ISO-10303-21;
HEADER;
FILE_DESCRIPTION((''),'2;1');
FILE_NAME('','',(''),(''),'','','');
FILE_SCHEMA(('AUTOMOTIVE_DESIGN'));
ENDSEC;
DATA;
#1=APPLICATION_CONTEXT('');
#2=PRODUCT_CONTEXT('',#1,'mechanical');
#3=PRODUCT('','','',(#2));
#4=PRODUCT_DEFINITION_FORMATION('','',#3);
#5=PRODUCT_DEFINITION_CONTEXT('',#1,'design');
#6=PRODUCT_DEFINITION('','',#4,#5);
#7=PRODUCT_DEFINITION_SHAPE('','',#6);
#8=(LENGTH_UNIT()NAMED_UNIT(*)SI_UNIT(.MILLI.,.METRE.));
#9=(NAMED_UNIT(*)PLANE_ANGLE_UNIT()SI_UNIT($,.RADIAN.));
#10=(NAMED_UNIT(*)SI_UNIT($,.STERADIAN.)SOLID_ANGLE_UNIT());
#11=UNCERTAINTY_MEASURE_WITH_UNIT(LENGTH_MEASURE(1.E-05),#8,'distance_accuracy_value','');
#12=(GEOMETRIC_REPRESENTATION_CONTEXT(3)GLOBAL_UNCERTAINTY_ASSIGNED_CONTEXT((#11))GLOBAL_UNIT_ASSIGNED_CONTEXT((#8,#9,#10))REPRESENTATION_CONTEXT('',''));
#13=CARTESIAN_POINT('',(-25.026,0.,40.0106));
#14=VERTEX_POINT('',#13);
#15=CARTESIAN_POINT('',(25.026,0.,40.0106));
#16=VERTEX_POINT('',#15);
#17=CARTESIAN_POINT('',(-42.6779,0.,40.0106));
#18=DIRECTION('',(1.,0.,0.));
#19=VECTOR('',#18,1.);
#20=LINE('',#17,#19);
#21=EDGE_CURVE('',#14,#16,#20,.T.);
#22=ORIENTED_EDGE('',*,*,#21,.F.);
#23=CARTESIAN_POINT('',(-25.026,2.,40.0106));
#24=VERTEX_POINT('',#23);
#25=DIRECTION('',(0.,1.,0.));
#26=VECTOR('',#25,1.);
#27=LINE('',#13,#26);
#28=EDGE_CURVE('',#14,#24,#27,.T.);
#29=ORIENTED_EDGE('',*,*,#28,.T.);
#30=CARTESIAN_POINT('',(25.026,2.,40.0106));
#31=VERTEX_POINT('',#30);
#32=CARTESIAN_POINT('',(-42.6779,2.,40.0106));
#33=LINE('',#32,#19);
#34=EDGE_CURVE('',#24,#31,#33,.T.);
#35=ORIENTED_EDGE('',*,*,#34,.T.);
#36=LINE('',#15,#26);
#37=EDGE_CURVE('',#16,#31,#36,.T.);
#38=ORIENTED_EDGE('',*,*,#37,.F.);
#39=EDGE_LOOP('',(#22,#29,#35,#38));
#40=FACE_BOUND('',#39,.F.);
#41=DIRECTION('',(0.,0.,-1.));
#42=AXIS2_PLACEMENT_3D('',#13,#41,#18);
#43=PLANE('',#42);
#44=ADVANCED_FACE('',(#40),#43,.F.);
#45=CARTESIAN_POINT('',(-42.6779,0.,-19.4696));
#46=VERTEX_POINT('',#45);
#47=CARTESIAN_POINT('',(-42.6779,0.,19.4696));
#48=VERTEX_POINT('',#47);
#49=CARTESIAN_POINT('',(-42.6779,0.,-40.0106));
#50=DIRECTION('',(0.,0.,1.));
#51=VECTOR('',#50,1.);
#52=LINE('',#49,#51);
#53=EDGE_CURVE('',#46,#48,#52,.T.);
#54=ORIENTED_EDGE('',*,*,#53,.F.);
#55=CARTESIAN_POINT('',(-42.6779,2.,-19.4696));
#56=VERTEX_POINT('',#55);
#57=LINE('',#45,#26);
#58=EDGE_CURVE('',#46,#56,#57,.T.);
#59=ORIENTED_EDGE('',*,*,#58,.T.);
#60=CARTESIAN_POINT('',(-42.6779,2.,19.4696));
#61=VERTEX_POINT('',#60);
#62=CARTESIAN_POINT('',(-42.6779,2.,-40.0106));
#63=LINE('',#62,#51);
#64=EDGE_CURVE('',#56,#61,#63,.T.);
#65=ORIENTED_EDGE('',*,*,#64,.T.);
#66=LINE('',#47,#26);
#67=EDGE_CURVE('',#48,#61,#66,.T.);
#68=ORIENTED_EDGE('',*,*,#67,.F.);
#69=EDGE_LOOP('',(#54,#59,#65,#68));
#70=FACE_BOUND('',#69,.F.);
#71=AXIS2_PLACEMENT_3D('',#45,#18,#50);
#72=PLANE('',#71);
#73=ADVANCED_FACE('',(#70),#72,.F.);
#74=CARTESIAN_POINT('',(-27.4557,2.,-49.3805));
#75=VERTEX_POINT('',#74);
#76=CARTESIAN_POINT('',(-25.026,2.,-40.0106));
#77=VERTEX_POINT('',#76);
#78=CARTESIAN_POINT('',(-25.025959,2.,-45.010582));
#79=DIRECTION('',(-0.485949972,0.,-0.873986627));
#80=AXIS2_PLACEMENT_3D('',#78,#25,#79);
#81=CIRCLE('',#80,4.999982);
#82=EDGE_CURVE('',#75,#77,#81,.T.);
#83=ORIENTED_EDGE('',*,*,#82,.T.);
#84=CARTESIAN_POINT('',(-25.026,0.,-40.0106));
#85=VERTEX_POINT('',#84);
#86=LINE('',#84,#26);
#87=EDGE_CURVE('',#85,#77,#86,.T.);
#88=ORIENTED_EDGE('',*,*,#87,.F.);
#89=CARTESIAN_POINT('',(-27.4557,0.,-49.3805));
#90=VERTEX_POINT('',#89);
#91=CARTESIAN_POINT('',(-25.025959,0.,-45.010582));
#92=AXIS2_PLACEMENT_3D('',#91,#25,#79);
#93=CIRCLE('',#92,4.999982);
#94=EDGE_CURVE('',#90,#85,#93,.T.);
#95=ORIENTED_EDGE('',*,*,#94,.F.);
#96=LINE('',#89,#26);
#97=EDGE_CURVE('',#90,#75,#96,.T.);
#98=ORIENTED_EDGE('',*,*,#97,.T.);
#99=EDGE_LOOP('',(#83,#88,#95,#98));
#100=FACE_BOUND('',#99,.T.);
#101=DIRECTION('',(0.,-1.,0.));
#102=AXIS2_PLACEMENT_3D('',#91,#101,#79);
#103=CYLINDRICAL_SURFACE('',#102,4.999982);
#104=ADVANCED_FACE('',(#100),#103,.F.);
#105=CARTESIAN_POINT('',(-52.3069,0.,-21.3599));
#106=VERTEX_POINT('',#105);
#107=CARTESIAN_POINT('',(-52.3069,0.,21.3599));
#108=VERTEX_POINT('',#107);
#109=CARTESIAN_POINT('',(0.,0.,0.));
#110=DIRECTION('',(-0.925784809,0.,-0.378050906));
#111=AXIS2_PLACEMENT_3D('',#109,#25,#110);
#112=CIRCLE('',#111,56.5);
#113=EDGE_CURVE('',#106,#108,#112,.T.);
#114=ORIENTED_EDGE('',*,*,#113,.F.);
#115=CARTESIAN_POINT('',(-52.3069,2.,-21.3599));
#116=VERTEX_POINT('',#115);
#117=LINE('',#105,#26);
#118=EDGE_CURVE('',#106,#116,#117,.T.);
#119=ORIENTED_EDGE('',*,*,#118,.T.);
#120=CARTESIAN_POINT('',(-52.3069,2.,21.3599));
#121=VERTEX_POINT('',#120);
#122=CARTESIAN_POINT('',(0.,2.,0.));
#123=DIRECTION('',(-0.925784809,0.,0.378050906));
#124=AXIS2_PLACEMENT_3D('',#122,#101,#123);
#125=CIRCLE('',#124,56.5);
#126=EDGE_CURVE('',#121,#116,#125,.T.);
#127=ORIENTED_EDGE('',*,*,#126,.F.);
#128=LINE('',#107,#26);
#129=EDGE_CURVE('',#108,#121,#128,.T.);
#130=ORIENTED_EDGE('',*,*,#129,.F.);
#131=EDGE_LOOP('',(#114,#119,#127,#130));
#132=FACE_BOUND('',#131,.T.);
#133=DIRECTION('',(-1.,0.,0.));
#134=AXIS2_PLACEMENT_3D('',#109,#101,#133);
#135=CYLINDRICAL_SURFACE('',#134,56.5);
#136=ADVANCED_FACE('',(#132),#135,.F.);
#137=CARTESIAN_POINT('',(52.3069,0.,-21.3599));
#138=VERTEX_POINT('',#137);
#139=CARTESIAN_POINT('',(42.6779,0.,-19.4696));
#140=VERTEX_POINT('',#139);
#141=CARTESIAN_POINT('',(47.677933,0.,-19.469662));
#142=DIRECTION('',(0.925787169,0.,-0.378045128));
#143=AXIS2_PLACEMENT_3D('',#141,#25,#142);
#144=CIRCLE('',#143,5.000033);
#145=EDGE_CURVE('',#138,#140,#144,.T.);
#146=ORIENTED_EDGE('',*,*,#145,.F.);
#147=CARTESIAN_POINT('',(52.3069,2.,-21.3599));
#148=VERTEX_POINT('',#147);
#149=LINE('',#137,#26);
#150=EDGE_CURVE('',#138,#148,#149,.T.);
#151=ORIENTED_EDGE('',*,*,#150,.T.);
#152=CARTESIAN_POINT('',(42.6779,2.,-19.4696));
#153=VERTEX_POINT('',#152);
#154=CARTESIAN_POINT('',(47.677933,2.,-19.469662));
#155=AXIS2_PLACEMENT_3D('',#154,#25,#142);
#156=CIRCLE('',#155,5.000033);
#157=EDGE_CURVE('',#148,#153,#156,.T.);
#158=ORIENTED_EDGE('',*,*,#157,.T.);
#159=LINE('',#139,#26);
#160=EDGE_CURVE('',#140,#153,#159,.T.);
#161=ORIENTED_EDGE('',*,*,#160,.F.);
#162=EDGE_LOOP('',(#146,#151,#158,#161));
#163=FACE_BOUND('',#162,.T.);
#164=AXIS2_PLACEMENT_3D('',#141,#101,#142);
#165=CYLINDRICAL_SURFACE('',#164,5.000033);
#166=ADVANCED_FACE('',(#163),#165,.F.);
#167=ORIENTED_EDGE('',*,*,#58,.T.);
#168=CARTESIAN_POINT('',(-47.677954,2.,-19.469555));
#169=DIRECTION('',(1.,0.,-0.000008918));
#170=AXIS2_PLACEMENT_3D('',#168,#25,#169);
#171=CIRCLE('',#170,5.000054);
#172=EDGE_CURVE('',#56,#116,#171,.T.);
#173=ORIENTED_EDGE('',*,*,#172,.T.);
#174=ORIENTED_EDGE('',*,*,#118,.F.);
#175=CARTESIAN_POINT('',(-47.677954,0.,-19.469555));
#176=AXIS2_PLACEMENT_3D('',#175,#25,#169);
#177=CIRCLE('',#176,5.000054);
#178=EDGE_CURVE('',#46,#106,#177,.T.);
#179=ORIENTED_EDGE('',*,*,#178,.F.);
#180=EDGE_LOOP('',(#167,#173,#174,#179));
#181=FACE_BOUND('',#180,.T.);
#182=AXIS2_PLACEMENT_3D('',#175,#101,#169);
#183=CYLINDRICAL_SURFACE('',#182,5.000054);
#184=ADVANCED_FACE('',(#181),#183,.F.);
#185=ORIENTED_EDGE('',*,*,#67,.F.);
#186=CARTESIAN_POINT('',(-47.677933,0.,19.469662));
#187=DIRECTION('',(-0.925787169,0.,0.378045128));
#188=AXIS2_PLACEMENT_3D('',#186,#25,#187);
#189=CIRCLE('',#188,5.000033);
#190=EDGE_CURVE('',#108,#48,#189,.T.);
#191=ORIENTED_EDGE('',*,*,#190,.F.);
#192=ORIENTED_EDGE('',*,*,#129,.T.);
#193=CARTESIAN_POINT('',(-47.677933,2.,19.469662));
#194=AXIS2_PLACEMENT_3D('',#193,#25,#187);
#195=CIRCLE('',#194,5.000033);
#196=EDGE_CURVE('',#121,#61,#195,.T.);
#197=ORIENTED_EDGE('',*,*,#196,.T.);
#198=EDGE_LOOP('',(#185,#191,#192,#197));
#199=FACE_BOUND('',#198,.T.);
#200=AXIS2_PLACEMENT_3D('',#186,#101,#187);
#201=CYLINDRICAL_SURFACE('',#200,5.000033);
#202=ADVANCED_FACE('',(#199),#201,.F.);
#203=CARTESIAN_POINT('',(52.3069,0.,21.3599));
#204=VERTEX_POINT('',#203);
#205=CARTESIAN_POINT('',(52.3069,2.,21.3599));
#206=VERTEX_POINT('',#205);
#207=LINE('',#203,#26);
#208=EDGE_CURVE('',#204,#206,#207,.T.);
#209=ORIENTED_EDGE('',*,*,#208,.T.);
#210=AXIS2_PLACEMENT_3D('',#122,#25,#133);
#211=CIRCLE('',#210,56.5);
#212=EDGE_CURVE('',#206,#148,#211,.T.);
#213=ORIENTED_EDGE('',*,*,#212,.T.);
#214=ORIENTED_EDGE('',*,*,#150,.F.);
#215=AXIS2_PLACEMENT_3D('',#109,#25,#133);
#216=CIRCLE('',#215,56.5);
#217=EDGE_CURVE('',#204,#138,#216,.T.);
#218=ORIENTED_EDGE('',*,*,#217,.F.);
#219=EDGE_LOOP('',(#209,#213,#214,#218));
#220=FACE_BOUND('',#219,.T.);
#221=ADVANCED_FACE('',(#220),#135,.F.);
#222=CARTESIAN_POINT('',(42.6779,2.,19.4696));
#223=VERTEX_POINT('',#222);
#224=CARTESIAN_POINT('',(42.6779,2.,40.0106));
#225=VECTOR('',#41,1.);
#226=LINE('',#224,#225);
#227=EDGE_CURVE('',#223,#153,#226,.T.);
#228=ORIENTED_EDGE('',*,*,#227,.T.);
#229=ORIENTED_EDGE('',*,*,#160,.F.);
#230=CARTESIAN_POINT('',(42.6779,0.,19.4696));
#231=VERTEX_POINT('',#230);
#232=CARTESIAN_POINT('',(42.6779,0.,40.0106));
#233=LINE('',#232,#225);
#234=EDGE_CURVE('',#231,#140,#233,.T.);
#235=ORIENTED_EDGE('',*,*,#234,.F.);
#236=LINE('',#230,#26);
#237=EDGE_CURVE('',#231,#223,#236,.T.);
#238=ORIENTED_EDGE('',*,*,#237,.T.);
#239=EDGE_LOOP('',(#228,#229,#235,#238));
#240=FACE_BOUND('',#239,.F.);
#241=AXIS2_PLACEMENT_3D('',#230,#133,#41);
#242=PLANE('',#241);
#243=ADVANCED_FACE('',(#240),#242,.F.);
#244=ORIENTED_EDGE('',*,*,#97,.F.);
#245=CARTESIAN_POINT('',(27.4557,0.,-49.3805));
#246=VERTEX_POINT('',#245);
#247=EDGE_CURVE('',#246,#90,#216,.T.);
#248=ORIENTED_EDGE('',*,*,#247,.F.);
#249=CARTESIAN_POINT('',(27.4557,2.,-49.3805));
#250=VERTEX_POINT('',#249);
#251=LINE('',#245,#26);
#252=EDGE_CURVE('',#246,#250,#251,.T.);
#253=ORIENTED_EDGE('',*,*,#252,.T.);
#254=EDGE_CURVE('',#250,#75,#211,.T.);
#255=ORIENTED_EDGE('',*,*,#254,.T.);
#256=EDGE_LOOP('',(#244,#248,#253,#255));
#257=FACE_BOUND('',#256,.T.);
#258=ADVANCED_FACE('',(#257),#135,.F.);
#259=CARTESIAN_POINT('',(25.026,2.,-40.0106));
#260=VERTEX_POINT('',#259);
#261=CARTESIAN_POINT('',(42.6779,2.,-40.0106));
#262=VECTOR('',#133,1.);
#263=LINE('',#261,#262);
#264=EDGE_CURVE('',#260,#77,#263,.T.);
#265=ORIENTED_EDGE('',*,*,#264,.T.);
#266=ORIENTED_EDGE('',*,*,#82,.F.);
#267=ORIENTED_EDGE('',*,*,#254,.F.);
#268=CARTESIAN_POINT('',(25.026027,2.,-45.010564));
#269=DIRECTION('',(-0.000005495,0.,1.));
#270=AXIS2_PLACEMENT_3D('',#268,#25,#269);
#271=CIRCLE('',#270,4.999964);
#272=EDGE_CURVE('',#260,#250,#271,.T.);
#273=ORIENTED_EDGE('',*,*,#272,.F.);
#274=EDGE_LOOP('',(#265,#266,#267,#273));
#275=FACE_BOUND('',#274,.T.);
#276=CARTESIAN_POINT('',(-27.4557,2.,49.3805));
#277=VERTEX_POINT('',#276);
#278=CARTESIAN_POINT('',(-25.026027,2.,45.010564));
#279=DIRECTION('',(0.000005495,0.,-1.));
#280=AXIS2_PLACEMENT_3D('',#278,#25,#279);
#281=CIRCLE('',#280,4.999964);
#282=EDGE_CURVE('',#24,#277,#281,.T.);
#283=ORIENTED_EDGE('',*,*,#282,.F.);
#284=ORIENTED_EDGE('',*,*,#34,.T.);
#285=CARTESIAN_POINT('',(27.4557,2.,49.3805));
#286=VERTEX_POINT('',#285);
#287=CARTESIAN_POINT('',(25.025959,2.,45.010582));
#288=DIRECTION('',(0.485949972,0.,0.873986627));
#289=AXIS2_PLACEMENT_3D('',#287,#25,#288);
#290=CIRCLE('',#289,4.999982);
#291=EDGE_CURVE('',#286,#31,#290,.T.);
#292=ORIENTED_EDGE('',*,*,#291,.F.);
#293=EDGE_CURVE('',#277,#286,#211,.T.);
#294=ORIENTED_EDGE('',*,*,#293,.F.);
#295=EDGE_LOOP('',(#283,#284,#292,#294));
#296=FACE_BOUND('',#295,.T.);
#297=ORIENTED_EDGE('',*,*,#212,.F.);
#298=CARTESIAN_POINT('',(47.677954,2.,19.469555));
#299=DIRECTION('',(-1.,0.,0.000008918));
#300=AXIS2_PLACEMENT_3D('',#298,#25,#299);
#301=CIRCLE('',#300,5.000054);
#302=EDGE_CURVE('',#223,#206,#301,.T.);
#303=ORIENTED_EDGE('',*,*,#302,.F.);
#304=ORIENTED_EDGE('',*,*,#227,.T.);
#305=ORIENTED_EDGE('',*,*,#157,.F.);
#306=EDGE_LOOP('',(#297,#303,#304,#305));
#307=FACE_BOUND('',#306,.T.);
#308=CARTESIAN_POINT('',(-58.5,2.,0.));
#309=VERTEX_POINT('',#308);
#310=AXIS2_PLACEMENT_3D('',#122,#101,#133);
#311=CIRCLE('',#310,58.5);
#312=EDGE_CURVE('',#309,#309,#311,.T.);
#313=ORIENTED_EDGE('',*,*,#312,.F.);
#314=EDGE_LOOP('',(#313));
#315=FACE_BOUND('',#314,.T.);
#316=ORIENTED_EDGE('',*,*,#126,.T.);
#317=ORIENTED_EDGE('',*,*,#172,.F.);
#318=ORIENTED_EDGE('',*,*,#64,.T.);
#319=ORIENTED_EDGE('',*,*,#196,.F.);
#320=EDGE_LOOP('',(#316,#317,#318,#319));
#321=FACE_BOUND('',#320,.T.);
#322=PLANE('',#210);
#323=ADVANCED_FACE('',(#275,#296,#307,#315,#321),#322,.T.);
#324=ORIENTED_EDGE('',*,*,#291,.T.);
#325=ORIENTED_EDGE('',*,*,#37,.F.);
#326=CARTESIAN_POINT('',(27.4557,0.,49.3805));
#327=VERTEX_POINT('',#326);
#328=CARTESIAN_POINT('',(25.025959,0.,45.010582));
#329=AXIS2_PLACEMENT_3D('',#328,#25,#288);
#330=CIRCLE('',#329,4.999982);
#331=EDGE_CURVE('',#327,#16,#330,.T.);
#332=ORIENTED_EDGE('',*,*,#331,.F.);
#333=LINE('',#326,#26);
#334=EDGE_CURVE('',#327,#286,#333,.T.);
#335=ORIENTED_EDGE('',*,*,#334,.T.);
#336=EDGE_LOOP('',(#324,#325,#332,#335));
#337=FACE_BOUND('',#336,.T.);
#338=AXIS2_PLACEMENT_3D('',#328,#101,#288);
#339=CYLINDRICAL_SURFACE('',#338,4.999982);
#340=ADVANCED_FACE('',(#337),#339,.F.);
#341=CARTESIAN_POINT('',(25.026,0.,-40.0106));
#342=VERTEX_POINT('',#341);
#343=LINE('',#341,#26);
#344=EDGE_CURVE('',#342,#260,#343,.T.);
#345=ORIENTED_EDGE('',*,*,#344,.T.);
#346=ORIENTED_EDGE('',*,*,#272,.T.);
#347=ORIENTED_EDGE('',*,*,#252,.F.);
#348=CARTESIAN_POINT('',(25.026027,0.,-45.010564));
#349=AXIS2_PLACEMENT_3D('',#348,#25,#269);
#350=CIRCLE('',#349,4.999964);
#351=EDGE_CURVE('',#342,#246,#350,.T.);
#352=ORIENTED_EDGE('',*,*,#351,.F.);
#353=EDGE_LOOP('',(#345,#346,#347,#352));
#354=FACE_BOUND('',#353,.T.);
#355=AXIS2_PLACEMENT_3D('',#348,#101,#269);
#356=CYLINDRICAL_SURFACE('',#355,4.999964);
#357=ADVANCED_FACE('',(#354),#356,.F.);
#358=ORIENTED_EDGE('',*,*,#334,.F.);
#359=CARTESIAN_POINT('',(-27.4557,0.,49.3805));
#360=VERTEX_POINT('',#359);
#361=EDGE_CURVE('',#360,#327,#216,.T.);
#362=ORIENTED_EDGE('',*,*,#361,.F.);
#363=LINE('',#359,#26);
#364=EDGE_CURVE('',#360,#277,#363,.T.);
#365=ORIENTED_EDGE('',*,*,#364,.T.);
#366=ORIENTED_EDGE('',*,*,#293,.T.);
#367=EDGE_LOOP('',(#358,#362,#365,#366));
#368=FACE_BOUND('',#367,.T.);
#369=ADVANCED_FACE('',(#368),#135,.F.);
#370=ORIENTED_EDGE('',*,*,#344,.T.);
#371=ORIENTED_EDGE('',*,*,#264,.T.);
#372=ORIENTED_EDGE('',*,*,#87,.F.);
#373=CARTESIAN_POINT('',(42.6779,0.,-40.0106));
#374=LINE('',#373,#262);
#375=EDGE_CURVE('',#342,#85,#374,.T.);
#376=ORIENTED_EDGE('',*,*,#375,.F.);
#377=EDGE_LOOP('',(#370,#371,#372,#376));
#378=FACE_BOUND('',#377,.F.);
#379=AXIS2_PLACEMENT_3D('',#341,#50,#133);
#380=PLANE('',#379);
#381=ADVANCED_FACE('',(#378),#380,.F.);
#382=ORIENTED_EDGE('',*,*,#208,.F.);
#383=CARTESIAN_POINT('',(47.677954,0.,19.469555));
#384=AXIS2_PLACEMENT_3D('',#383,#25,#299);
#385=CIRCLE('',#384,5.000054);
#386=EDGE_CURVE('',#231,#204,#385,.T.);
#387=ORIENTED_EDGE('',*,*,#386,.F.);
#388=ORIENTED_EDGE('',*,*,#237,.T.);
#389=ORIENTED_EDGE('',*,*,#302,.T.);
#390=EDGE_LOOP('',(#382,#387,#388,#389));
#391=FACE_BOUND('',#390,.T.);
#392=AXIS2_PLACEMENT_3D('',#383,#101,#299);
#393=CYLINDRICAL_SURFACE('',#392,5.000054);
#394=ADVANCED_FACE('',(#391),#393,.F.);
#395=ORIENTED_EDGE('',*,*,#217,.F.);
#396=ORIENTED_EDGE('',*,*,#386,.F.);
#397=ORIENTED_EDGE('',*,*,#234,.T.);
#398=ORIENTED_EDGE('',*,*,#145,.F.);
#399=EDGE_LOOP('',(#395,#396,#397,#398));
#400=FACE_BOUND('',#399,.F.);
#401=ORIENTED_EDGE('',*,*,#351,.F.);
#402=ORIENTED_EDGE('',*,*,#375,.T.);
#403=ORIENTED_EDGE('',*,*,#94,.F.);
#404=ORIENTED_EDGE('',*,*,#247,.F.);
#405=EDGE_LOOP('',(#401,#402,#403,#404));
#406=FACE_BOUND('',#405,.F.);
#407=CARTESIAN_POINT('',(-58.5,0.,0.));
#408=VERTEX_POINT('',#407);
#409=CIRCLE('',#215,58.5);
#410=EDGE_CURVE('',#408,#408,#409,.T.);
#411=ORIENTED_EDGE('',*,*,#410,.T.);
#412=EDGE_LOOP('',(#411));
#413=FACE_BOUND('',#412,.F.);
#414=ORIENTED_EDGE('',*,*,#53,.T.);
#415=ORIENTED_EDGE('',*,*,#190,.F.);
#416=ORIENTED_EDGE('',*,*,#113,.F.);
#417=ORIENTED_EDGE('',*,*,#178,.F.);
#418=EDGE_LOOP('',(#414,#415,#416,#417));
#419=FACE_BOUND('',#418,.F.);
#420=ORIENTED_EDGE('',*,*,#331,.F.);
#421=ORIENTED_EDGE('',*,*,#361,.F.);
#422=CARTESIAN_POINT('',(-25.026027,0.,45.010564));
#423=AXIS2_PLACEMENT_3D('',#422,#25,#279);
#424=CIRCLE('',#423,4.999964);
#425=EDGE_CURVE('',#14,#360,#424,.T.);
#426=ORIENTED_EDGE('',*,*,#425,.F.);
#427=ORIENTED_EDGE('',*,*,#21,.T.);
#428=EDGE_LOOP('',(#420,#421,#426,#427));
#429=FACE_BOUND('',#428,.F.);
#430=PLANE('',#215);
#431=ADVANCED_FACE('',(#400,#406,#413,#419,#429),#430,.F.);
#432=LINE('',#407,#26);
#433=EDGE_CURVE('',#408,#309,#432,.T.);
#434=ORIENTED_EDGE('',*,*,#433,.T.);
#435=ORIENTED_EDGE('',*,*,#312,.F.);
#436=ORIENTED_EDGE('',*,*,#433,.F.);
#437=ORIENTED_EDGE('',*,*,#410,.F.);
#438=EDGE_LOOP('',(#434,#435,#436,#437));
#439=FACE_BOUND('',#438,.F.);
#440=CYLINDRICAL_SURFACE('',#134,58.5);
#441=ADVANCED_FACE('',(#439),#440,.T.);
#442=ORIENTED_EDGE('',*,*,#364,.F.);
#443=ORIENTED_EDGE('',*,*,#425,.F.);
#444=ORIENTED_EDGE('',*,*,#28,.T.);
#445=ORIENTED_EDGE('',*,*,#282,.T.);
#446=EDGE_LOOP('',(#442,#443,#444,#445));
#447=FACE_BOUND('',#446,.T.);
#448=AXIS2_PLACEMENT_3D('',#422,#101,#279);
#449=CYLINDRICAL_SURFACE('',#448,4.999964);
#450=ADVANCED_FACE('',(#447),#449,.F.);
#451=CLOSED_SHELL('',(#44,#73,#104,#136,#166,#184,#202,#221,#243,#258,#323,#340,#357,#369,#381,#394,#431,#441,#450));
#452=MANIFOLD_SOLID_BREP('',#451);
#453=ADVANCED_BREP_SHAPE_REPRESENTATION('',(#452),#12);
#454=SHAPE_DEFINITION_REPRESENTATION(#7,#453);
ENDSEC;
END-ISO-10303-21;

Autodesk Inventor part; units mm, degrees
ref_plane "YZ Plane" through (0, 0, 0) normal (1, 0, 0) x (0, 1, 0)
ref_plane "XZ Plane" through (0, 0, 0) normal (0, 1, 0) x (-1, 0, 0)
ref_plane "XY Plane" through (0, 0, 0) normal (0, 0, 1) x (1, 0, 0)
sketch "Эскиз1" plane through (0, 0, 0) normal (0, 1, 0) x (-1, 0, 0)
  circle A0 centre (0, 0) radius 58.5
  line L0 (40, -37.5) -> (-40, -37.5) construction
  line L1 (-40, -37.5) -> (-40, 37.5) construction
  line L2 (-40, 37.5) -> (40, 37.5) construction
  line L3 (40, 37.5) -> (40, -37.5) construction
  line L4 (40, -37.5) -> (-40, 37.5) construction
  line L5 (-40, -37.5) -> (40, 37.5) construction
  line L6 (-42.6779, -40.0106) -> (42.6779, -40.0106)
  line L7 (42.6779, -40.0106) -> (42.6779, 40.0106)
  line L8 (42.6779, 40.0106) -> (-42.6779, 40.0106)
  line L9 (-42.6779, 40.0106) -> (-42.6779, -40.0106)
  line L10 (-42.6779, -40.0106) -> (42.6779, 40.0106) construction
  line L11 (42.6779, -40.0106) -> (-42.6779, 40.0106) construction
  arc A1 (25.026, 40.0106) -> (27.4557, 49.3805) centre (25.026, 45.0106) ccw
  circle A2 centre (0, 0) radius 56.5
  arc A3 (-27.4557, 49.3805) -> (-25.026, 40.0106) centre (-25.026, 45.0106) ccw
  arc A4 (52.3069, 21.3599) -> (42.6779, 19.4696) centre (47.6779, 19.4696) ccw
  arc A5 (42.6779, -19.4696) -> (52.3069, -21.3599) centre (47.6779, -19.4696) ccw
  arc A6 (27.4557, -49.3805) -> (25.026, -40.0106) centre (25.026, -45.0106) ccw
  arc A7 (-25.026, -40.0106) -> (-27.4557, -49.3805) centre (-25.026, -45.0106) ccw
  arc A8 (-52.3069, -21.3599) -> (-42.6779, -19.4696) centre (-47.6779, -19.4696) ccw
  arc A9 (-42.6779, 19.4696) -> (-52.3069, 21.3599) centre (-47.6779, 19.4696) ccw
  dimension "d0" = 117
  dimension "d3" = 113
  dimension "d1" = 80
  dimension "d2" = 75
  dimension "d4" = 10
  dimension "d5" = 10
  dimension "d6" = 10
  dimension "d7" = 10
  dimension "d8" = 10
  dimension "d9" = 10
  dimension "d10" = 10
  dimension "d11" = 10
extrude "Выдавливание1" add sketch "Эскиз1" along normal blind 2 contours A0 L7 A2 | L8 A2 A0 | L7 A2 L8 | A0 L6 A2 | L6 A2 L7 | L9 A2 A0 | L8 A2 L9 | A2 A4 L7 | L7 A2 L6 L9 L8 | L8 A1 A2 | L9 A2 L6 | A2 A6 L6 | L7 A5 A2 | A2 A3 L8 | L9 A9 A2 | L6 A7 A2 | A2 A8 L9
properties part number "InnerCap"
